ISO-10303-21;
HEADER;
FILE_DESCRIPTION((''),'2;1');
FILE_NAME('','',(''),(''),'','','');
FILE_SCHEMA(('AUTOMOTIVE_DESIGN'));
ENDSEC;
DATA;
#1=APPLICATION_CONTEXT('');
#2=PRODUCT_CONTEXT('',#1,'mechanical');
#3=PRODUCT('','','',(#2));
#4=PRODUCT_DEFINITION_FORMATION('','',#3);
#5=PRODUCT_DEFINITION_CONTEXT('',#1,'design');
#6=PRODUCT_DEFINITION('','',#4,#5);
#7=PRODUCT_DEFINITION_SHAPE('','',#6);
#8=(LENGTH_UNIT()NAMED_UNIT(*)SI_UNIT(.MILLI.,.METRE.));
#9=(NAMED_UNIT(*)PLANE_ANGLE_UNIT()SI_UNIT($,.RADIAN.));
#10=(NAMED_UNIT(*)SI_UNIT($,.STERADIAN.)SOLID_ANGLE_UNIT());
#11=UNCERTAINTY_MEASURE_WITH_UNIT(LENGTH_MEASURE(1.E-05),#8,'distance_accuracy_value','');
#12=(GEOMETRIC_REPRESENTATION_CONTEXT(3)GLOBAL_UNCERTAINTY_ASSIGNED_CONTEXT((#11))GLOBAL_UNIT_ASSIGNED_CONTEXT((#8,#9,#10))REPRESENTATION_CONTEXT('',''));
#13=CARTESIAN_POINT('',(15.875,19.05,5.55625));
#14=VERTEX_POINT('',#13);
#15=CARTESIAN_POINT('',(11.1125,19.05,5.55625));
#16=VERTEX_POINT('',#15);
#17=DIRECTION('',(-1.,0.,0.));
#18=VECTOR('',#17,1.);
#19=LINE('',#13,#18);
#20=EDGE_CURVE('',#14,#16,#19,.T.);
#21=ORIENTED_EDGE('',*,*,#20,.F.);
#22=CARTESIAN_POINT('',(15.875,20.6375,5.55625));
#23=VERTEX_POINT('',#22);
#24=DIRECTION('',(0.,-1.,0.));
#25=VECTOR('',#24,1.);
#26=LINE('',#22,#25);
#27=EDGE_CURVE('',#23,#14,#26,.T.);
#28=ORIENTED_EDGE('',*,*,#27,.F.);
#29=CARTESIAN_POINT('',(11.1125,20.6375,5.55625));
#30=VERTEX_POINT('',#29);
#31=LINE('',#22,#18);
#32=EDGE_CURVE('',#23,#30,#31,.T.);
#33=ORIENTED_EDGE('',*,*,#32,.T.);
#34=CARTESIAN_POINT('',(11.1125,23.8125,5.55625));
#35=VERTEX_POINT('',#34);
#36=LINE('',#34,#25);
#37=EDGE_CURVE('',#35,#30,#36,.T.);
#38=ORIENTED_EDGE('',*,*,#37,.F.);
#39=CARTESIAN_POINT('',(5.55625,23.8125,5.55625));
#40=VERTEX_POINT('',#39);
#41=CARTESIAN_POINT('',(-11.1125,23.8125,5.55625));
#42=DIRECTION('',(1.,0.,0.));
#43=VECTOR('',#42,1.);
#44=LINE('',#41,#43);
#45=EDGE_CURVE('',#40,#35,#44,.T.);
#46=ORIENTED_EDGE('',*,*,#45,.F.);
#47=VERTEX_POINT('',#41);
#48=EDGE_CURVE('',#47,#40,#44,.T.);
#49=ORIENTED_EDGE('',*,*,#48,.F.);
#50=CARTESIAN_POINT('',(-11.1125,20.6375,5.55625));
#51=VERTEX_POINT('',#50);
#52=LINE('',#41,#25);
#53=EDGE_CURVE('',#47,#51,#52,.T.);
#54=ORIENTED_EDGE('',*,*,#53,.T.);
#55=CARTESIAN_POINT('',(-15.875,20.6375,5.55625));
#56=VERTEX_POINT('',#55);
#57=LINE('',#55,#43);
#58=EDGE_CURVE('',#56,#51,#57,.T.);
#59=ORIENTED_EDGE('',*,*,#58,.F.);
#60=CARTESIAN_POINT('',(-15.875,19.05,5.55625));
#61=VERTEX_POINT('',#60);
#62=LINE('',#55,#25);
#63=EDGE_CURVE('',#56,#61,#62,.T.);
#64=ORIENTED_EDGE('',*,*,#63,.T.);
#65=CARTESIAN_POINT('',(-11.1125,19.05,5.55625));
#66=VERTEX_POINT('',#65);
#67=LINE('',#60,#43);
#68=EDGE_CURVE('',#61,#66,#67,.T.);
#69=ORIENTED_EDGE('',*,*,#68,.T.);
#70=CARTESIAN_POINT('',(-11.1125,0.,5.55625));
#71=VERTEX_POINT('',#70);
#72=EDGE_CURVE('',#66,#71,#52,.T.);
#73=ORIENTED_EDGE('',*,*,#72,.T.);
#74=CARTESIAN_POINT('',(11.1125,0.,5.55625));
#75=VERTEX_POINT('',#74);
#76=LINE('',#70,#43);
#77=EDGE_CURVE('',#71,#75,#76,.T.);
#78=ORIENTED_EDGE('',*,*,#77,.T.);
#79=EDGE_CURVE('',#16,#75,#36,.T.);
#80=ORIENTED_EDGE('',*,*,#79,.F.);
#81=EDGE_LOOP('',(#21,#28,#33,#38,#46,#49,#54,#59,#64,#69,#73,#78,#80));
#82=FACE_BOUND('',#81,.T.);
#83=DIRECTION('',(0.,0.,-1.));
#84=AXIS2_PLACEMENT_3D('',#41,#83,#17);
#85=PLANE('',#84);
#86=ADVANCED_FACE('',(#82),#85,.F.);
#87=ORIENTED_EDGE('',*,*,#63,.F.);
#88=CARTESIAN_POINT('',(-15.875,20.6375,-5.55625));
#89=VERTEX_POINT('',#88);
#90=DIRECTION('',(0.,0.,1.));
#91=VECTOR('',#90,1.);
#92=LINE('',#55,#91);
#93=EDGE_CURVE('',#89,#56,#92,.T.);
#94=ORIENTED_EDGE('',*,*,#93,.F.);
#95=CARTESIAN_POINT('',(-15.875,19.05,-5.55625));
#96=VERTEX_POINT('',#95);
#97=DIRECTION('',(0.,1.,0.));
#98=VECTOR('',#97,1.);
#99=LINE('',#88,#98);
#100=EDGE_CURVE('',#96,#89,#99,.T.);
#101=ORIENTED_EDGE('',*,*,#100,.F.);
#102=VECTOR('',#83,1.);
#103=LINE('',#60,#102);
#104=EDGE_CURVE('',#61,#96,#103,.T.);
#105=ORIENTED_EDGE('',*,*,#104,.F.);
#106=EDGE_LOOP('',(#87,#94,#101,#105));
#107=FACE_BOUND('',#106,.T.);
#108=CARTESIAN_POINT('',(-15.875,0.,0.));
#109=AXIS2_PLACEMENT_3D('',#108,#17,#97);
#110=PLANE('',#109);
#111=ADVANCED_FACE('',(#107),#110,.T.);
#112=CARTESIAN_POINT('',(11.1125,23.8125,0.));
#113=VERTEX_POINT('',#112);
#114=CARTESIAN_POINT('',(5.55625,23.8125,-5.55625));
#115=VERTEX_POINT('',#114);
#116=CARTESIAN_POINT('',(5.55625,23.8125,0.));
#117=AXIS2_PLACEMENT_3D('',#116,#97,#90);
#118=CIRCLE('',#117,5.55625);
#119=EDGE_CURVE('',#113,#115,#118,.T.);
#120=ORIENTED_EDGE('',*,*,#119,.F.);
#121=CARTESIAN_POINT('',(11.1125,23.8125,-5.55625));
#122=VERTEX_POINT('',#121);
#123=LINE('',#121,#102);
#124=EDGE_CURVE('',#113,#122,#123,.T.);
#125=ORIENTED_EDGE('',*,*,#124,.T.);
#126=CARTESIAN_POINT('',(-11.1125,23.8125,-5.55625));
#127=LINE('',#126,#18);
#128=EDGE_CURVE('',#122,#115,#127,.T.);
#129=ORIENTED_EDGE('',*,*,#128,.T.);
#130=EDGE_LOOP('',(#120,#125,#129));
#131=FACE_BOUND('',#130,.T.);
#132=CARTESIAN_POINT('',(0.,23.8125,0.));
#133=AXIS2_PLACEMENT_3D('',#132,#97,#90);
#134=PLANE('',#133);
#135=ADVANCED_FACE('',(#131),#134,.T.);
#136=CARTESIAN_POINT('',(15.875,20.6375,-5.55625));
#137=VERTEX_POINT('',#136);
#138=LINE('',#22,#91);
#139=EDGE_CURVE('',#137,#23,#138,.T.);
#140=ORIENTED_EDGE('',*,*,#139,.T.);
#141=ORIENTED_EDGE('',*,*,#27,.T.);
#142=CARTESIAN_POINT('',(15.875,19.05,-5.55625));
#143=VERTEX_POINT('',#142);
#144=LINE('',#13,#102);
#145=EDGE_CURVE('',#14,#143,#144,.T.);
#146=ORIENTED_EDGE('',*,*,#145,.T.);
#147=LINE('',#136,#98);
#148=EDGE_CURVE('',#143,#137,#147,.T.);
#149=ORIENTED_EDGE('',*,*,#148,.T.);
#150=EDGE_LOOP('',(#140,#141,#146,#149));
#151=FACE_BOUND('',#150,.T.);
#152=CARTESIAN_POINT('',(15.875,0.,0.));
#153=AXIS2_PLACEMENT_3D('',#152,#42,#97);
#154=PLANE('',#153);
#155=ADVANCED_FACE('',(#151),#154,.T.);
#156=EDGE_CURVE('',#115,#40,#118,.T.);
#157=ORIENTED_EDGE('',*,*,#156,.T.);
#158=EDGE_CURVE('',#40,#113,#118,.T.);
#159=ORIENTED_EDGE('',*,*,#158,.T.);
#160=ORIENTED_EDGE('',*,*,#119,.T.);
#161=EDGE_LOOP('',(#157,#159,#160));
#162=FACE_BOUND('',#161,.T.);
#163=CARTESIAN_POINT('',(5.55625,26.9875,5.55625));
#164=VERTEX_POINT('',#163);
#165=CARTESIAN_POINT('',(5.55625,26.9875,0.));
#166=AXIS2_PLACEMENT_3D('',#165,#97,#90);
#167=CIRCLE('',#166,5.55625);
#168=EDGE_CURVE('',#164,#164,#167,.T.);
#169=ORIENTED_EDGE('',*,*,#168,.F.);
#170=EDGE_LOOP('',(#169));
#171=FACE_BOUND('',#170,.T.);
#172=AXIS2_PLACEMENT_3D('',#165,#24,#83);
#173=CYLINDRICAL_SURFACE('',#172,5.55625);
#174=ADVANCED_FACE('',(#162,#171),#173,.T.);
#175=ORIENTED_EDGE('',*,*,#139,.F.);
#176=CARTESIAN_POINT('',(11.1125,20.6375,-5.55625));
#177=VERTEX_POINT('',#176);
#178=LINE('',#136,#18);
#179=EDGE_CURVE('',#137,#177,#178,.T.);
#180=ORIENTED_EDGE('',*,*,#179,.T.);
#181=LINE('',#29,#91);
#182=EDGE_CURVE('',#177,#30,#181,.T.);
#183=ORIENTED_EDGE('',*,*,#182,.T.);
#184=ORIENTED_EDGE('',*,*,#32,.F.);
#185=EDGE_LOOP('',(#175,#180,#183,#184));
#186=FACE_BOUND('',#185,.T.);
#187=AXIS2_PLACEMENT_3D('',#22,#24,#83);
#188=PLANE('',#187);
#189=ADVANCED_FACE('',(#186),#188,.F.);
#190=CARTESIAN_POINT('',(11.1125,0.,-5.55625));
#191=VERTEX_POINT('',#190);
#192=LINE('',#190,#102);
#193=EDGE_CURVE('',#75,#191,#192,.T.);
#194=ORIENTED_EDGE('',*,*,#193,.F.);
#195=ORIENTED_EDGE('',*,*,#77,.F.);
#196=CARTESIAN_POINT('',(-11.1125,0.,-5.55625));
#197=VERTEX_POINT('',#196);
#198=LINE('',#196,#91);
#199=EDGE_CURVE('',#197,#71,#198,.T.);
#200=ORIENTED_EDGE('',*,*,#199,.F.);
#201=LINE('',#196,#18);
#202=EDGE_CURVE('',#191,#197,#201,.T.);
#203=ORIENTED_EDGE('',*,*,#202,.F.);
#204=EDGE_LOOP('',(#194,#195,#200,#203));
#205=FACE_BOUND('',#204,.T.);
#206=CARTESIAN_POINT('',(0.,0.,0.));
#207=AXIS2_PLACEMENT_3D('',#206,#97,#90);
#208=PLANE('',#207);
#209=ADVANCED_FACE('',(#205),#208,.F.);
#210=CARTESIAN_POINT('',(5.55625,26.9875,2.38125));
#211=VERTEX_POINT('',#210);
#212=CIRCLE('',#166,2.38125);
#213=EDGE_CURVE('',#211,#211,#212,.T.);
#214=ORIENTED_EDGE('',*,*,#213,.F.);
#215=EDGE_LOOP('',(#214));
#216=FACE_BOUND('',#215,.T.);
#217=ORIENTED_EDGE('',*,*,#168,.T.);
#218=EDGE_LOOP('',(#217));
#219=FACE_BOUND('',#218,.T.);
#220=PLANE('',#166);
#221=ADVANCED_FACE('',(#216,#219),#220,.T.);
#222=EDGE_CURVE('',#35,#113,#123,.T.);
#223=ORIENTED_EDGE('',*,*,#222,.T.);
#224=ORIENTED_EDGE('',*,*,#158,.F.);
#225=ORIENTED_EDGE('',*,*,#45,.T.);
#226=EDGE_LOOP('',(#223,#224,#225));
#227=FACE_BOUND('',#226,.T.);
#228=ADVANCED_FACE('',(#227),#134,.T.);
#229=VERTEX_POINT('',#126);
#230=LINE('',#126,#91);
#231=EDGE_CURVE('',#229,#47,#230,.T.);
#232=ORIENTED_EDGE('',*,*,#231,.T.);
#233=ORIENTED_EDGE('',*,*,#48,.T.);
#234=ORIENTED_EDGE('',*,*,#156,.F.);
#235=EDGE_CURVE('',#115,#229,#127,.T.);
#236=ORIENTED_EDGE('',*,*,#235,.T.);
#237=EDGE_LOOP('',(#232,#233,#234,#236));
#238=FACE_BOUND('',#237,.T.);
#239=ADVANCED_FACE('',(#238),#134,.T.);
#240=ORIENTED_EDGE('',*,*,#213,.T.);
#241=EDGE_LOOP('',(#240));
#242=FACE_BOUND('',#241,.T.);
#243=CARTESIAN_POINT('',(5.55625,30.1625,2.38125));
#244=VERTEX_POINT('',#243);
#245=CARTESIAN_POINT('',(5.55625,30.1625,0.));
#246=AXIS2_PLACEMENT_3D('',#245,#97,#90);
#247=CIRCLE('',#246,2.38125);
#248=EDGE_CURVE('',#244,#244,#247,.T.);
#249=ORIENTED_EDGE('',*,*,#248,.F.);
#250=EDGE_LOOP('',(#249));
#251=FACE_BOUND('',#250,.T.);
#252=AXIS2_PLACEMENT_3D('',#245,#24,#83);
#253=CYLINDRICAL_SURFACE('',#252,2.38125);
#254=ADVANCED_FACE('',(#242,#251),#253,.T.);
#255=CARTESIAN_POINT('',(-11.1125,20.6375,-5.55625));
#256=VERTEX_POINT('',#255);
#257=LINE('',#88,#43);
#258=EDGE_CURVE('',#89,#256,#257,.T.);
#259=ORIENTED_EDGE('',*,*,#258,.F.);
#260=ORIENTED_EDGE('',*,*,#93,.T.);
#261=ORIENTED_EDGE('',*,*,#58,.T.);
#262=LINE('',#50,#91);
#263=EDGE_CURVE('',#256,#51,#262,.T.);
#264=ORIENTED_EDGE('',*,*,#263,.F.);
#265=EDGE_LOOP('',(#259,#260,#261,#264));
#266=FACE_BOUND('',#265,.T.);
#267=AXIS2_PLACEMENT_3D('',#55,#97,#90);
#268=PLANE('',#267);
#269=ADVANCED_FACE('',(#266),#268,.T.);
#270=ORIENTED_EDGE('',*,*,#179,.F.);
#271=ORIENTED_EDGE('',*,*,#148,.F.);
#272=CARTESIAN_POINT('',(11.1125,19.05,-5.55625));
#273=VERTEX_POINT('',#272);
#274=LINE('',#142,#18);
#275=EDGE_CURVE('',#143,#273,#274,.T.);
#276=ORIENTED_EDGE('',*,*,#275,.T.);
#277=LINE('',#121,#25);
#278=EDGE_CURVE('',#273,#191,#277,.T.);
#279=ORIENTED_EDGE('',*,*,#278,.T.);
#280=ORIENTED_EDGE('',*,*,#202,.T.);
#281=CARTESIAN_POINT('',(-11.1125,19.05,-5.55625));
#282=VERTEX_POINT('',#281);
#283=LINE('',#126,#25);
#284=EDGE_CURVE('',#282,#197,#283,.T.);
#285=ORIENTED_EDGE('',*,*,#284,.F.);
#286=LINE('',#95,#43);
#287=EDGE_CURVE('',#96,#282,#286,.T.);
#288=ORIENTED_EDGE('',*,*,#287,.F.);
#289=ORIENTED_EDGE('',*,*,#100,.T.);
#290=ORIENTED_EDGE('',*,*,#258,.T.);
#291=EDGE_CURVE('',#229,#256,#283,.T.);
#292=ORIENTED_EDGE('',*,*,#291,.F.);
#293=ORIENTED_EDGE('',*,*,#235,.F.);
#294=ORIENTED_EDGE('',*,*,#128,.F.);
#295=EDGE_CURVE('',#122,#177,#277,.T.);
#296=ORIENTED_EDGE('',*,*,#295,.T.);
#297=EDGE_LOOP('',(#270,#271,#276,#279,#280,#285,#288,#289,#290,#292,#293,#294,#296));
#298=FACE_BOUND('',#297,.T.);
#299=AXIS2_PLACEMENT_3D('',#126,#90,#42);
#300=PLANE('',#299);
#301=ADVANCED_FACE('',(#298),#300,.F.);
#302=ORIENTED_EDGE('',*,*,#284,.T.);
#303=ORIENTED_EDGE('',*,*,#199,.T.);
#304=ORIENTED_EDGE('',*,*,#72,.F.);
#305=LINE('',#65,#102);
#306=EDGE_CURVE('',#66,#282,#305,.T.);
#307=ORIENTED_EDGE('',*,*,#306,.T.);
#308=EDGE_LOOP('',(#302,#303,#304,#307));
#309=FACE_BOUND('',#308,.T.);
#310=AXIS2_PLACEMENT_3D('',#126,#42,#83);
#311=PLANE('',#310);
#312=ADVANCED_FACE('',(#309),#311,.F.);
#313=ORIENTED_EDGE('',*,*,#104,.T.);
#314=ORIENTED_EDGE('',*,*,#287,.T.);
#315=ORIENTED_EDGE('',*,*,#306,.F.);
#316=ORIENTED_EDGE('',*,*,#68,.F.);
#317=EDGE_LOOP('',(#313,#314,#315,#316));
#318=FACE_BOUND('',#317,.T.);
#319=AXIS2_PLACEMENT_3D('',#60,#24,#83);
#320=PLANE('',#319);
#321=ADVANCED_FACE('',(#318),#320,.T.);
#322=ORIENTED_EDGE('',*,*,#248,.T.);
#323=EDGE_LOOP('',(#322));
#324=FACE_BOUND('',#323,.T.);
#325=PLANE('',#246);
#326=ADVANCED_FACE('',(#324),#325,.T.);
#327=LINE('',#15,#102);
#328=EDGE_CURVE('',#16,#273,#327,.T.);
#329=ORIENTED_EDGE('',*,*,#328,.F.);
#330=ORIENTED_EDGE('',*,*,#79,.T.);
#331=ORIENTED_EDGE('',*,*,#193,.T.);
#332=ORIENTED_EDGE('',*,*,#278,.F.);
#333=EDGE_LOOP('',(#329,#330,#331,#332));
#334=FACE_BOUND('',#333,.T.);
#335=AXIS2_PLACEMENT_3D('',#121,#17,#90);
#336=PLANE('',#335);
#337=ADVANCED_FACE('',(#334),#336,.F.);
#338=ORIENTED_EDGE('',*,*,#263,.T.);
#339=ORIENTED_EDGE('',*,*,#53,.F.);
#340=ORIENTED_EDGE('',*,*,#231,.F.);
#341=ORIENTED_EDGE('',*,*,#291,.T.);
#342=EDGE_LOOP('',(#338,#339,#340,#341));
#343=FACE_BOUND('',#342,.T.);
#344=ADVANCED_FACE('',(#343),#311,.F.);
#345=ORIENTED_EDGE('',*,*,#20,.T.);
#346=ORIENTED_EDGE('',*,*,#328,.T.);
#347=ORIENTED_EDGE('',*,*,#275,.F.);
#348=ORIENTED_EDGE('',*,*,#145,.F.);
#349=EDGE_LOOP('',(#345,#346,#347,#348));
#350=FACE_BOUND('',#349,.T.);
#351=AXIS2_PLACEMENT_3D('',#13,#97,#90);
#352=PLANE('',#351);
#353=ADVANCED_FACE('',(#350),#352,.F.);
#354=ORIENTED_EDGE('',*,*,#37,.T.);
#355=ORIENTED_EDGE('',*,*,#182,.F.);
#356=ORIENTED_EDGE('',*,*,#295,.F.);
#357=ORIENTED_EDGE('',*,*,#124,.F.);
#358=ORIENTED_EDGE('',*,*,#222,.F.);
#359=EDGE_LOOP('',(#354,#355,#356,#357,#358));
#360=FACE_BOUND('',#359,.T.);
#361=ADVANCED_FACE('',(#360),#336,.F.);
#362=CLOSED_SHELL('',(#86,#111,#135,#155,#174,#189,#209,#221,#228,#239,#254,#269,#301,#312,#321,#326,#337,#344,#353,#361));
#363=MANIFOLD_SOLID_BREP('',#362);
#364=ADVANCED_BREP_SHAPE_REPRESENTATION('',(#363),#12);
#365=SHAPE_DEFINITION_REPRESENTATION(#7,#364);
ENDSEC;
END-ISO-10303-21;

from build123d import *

# Parameters (mm, degrees)
SKETCH1_W           = 22.225
SKETCH1_H           = 11.1125
BOSS_EXTRUDE1_DEPTH = 23.8125
SKETCH2_W           = 11.1125
SKETCH2_H           = 1.5875
BOSS_EXTRUDE2_DEPTH = 4.7625
SKETCH3_R           = 5.55625
BOSS_EXTRUDE3_DEPTH = 3.175
SKETCH4_R           = 2.38125
BOSS_EXTRUDE4_DEPTH = 3.175


with BuildPart() as part:
    # Sketch1 → Boss-Extrude1 (new body)
    with BuildSketch(Plane(origin=(0, 0, 0), x_dir=(1, 0, 0), z_dir=(0, 1, 0))):
        Rectangle(SKETCH1_W, SKETCH1_H)
    extrude(amount=BOSS_EXTRUDE1_DEPTH)

    # Sketch2 → Boss-Extrude2 (add)
    with BuildSketch(Plane(origin=(11.1125, 0, 0), x_dir=(0, 0, -1), z_dir=(1, 0, 0))):
        with Locations((0, 19.84375)):
            Rectangle(SKETCH2_W, SKETCH2_H)
    boss_extrude2 = extrude(amount=BOSS_EXTRUDE2_DEPTH)

    # Mirror2: Boss-Extrude2 across plane
    add(boss_extrude2.mirror(Plane.ZY))

    # Sketch3 → Boss-Extrude3 (add)
    with BuildSketch(Plane(origin=(0, 23.8125, 0), x_dir=(1, 0, 0), z_dir=(0, 1, 0))):
        with Locations(Location((5.55625, 0, 0), (0, 0, 270))):
            Circle(SKETCH3_R)
    extrude(amount=BOSS_EXTRUDE3_DEPTH)

    # Sketch4 → Boss-Extrude4 (add)
    with BuildSketch(Plane(origin=(0, 26.9875, 0), x_dir=(1, 0, 0), z_dir=(0, 1, 0))):
        with Locations(Location((5.55625, 0, 0), (0, 0, 270))):
            Circle(SKETCH4_R)
    extrude(amount=BOSS_EXTRUDE4_DEPTH)


solid = part.part
